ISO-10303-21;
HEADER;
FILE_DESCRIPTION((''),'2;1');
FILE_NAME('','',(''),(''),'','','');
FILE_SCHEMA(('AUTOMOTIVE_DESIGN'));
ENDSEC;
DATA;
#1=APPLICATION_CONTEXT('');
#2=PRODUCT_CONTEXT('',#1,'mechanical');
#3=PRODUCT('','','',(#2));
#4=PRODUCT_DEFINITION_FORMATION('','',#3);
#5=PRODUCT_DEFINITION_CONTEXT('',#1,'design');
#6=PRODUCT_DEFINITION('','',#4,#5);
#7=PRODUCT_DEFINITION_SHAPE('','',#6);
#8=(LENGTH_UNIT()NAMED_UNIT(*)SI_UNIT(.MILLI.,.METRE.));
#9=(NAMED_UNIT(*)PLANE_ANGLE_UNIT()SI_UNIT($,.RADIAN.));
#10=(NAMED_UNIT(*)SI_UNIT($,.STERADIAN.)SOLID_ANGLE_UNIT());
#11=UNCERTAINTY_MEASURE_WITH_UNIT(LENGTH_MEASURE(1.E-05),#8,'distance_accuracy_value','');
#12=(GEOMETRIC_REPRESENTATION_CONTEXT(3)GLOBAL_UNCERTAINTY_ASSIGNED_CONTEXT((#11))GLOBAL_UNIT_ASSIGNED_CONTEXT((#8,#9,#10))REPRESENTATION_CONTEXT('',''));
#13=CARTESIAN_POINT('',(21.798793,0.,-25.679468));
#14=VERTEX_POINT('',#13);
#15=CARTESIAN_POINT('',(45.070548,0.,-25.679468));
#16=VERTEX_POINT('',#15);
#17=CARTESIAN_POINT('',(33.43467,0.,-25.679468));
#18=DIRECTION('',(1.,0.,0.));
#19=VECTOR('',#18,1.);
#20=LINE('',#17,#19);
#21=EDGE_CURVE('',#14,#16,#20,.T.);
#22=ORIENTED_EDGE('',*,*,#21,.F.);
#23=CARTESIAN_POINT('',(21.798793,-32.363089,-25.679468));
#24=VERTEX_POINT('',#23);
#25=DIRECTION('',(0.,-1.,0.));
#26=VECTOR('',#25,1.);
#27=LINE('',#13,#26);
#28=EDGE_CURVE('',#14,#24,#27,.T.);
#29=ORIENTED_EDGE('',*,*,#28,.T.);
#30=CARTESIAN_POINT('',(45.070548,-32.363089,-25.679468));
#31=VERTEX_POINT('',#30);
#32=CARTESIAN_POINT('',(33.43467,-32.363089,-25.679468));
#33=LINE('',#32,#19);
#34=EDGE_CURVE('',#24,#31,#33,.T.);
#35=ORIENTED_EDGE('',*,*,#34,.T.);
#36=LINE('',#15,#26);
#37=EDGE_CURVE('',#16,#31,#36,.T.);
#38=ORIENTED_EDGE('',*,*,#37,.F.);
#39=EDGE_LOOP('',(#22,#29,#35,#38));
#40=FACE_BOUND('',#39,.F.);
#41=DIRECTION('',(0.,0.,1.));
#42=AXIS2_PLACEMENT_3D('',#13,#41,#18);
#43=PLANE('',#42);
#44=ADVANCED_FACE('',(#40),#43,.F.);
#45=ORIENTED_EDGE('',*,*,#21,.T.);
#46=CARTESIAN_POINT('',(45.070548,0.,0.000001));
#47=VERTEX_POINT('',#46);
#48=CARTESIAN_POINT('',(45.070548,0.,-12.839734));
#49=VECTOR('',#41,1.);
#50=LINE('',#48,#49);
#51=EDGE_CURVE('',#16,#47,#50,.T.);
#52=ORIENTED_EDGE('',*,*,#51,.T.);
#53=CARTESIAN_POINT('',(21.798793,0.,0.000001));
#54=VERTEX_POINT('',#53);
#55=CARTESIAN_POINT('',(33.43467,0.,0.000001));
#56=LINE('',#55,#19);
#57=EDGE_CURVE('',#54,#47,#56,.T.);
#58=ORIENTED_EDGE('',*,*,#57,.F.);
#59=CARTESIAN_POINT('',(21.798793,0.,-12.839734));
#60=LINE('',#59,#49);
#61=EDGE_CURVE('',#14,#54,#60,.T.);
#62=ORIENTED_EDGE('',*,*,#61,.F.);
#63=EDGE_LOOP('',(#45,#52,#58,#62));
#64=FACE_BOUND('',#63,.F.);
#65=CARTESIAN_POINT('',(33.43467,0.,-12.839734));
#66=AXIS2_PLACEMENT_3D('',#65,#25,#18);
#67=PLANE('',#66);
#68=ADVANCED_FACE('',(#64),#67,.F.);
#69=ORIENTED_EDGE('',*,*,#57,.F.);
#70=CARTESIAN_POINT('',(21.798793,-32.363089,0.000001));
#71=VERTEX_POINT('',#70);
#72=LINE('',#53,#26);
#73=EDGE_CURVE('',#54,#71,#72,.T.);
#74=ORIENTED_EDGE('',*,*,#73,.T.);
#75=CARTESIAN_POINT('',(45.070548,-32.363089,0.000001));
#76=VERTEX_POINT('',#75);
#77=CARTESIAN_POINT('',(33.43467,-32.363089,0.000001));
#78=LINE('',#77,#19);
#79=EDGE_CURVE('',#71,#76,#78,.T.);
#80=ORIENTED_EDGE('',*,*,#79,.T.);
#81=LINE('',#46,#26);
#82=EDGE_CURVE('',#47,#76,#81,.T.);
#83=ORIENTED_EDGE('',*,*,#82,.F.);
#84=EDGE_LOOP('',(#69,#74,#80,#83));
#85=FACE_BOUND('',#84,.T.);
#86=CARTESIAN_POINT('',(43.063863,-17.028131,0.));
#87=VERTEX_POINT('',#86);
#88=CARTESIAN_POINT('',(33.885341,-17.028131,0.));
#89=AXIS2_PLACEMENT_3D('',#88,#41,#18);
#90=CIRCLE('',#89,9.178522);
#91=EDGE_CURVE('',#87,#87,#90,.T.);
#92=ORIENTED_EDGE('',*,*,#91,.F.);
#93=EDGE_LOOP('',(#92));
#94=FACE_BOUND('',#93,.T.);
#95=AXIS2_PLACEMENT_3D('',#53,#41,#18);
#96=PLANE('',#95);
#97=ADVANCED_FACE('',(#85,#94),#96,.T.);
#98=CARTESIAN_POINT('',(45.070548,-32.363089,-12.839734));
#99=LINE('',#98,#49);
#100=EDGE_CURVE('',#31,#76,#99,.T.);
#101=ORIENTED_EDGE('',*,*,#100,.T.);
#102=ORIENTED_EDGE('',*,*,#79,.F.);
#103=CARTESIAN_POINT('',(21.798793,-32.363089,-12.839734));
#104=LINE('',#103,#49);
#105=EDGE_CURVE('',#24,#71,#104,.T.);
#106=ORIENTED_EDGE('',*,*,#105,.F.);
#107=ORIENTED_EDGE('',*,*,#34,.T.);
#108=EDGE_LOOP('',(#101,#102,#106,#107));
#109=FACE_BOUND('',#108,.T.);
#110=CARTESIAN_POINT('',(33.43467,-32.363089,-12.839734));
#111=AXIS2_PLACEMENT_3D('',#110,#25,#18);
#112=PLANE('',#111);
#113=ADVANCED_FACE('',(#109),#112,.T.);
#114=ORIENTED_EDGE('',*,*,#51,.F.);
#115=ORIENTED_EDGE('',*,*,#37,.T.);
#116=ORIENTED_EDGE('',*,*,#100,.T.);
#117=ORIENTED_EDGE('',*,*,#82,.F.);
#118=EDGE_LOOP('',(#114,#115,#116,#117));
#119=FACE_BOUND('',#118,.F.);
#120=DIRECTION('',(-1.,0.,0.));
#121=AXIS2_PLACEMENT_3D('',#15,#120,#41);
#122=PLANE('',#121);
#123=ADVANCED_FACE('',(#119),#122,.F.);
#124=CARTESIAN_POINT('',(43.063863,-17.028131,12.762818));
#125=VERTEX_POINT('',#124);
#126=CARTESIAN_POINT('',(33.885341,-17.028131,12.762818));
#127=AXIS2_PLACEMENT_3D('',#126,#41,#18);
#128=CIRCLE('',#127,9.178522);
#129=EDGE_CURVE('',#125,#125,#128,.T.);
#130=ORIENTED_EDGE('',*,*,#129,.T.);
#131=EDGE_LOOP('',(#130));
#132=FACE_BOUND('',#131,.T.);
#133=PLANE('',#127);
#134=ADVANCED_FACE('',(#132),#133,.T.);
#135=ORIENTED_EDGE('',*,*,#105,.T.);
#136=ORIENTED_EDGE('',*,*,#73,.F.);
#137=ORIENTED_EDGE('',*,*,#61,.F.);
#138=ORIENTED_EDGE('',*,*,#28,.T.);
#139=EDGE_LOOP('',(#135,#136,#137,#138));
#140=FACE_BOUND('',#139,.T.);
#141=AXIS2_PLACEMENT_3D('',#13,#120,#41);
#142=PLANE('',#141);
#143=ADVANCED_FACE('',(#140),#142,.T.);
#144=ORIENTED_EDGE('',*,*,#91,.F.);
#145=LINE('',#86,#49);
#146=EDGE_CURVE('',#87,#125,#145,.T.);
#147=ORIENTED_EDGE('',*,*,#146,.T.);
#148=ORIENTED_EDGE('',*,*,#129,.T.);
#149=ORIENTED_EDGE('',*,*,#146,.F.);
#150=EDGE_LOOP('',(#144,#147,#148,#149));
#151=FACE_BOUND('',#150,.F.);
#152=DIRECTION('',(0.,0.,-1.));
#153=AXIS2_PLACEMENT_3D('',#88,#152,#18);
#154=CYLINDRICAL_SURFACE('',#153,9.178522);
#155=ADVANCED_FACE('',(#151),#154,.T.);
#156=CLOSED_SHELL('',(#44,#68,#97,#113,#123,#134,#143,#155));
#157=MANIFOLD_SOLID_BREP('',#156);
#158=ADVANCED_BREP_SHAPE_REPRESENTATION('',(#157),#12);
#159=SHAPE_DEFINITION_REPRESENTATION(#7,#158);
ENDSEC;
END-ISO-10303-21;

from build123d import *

# Parameters (mm, degrees)
F0_W     = 23.271755
F0_H     = 25.679469
F1_DEPTH = 32.363089
F2_R     = 9.178522
F3_DEPTH = 12.762818


with BuildPart() as f1:
    # F0 (on Front) → F1 (new body)
    with BuildSketch(Plane.XZ):
        with Locations((33.43467, -12.839734)):
            Rectangle(F0_W, F0_H)
    extrude(amount=F1_DEPTH)

    # F2 (on face) → F3 (join)
    with BuildSketch(Plane.XY):
        with Locations((33.885341, -17.028131)):
            Circle(F2_R)
    extrude(amount=F3_DEPTH)


solid = f1.part
